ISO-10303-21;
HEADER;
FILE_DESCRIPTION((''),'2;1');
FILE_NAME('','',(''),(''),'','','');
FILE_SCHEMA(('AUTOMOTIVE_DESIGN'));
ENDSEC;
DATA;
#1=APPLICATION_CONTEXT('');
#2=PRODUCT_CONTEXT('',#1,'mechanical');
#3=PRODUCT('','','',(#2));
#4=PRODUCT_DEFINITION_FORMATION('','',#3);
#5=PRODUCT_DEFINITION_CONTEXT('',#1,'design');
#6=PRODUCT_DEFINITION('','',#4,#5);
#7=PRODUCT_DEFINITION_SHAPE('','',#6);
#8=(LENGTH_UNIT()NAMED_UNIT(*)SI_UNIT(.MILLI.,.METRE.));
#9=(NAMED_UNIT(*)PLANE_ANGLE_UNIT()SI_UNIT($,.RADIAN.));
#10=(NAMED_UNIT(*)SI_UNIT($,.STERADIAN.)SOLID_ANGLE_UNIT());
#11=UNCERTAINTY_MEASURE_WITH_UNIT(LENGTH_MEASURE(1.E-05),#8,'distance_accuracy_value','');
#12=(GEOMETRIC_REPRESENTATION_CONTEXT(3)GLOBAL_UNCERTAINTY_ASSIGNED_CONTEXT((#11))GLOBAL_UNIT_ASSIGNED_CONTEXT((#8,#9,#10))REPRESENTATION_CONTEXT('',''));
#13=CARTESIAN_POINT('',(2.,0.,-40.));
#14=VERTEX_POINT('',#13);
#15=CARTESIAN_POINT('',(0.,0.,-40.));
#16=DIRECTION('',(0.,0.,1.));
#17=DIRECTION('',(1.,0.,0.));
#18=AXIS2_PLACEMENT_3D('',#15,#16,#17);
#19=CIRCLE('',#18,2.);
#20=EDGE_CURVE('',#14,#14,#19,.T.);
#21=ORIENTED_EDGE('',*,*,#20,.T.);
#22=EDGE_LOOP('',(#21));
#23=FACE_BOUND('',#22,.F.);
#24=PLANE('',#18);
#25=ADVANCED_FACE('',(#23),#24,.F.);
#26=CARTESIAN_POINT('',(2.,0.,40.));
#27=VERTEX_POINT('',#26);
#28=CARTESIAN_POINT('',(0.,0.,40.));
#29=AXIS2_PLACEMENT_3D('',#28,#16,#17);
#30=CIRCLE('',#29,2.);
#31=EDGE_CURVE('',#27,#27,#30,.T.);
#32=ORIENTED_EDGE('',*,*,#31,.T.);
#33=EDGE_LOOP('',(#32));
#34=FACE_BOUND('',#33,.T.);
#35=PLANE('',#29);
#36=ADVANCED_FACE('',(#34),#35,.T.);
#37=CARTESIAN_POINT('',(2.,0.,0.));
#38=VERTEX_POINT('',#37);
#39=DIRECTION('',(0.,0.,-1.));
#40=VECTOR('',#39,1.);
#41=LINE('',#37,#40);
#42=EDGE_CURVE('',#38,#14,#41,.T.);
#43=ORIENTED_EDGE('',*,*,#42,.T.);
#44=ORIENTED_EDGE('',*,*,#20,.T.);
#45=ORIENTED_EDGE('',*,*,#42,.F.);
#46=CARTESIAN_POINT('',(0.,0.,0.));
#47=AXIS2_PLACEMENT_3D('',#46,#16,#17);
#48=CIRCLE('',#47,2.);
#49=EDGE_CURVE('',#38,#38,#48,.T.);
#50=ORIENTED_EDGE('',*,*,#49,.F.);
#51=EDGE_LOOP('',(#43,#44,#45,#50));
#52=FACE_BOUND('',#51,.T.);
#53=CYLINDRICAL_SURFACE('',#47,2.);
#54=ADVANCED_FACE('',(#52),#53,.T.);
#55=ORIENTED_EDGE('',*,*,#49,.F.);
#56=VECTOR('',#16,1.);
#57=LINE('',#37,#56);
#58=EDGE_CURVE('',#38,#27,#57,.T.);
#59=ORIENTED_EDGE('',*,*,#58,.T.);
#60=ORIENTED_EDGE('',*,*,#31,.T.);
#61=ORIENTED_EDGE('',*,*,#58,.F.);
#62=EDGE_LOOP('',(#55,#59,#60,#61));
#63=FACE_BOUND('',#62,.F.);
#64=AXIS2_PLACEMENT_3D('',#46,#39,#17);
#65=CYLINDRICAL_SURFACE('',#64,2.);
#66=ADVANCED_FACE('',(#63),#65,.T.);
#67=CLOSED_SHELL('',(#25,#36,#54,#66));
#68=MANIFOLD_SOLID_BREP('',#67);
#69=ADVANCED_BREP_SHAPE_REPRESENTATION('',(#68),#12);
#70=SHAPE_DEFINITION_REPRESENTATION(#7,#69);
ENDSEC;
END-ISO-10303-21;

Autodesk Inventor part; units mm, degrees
sketch "スケッチ1" plane through (0, 0, 0) normal (0, 0, 1) x (1, 0, 0)
  circle A0 centre (0, 0) radius 2
  dimension "d0" = 4
extrude "押し出し1" add sketch "スケッチ1" along normal mid plane 80
properties part number "driveshaft"
